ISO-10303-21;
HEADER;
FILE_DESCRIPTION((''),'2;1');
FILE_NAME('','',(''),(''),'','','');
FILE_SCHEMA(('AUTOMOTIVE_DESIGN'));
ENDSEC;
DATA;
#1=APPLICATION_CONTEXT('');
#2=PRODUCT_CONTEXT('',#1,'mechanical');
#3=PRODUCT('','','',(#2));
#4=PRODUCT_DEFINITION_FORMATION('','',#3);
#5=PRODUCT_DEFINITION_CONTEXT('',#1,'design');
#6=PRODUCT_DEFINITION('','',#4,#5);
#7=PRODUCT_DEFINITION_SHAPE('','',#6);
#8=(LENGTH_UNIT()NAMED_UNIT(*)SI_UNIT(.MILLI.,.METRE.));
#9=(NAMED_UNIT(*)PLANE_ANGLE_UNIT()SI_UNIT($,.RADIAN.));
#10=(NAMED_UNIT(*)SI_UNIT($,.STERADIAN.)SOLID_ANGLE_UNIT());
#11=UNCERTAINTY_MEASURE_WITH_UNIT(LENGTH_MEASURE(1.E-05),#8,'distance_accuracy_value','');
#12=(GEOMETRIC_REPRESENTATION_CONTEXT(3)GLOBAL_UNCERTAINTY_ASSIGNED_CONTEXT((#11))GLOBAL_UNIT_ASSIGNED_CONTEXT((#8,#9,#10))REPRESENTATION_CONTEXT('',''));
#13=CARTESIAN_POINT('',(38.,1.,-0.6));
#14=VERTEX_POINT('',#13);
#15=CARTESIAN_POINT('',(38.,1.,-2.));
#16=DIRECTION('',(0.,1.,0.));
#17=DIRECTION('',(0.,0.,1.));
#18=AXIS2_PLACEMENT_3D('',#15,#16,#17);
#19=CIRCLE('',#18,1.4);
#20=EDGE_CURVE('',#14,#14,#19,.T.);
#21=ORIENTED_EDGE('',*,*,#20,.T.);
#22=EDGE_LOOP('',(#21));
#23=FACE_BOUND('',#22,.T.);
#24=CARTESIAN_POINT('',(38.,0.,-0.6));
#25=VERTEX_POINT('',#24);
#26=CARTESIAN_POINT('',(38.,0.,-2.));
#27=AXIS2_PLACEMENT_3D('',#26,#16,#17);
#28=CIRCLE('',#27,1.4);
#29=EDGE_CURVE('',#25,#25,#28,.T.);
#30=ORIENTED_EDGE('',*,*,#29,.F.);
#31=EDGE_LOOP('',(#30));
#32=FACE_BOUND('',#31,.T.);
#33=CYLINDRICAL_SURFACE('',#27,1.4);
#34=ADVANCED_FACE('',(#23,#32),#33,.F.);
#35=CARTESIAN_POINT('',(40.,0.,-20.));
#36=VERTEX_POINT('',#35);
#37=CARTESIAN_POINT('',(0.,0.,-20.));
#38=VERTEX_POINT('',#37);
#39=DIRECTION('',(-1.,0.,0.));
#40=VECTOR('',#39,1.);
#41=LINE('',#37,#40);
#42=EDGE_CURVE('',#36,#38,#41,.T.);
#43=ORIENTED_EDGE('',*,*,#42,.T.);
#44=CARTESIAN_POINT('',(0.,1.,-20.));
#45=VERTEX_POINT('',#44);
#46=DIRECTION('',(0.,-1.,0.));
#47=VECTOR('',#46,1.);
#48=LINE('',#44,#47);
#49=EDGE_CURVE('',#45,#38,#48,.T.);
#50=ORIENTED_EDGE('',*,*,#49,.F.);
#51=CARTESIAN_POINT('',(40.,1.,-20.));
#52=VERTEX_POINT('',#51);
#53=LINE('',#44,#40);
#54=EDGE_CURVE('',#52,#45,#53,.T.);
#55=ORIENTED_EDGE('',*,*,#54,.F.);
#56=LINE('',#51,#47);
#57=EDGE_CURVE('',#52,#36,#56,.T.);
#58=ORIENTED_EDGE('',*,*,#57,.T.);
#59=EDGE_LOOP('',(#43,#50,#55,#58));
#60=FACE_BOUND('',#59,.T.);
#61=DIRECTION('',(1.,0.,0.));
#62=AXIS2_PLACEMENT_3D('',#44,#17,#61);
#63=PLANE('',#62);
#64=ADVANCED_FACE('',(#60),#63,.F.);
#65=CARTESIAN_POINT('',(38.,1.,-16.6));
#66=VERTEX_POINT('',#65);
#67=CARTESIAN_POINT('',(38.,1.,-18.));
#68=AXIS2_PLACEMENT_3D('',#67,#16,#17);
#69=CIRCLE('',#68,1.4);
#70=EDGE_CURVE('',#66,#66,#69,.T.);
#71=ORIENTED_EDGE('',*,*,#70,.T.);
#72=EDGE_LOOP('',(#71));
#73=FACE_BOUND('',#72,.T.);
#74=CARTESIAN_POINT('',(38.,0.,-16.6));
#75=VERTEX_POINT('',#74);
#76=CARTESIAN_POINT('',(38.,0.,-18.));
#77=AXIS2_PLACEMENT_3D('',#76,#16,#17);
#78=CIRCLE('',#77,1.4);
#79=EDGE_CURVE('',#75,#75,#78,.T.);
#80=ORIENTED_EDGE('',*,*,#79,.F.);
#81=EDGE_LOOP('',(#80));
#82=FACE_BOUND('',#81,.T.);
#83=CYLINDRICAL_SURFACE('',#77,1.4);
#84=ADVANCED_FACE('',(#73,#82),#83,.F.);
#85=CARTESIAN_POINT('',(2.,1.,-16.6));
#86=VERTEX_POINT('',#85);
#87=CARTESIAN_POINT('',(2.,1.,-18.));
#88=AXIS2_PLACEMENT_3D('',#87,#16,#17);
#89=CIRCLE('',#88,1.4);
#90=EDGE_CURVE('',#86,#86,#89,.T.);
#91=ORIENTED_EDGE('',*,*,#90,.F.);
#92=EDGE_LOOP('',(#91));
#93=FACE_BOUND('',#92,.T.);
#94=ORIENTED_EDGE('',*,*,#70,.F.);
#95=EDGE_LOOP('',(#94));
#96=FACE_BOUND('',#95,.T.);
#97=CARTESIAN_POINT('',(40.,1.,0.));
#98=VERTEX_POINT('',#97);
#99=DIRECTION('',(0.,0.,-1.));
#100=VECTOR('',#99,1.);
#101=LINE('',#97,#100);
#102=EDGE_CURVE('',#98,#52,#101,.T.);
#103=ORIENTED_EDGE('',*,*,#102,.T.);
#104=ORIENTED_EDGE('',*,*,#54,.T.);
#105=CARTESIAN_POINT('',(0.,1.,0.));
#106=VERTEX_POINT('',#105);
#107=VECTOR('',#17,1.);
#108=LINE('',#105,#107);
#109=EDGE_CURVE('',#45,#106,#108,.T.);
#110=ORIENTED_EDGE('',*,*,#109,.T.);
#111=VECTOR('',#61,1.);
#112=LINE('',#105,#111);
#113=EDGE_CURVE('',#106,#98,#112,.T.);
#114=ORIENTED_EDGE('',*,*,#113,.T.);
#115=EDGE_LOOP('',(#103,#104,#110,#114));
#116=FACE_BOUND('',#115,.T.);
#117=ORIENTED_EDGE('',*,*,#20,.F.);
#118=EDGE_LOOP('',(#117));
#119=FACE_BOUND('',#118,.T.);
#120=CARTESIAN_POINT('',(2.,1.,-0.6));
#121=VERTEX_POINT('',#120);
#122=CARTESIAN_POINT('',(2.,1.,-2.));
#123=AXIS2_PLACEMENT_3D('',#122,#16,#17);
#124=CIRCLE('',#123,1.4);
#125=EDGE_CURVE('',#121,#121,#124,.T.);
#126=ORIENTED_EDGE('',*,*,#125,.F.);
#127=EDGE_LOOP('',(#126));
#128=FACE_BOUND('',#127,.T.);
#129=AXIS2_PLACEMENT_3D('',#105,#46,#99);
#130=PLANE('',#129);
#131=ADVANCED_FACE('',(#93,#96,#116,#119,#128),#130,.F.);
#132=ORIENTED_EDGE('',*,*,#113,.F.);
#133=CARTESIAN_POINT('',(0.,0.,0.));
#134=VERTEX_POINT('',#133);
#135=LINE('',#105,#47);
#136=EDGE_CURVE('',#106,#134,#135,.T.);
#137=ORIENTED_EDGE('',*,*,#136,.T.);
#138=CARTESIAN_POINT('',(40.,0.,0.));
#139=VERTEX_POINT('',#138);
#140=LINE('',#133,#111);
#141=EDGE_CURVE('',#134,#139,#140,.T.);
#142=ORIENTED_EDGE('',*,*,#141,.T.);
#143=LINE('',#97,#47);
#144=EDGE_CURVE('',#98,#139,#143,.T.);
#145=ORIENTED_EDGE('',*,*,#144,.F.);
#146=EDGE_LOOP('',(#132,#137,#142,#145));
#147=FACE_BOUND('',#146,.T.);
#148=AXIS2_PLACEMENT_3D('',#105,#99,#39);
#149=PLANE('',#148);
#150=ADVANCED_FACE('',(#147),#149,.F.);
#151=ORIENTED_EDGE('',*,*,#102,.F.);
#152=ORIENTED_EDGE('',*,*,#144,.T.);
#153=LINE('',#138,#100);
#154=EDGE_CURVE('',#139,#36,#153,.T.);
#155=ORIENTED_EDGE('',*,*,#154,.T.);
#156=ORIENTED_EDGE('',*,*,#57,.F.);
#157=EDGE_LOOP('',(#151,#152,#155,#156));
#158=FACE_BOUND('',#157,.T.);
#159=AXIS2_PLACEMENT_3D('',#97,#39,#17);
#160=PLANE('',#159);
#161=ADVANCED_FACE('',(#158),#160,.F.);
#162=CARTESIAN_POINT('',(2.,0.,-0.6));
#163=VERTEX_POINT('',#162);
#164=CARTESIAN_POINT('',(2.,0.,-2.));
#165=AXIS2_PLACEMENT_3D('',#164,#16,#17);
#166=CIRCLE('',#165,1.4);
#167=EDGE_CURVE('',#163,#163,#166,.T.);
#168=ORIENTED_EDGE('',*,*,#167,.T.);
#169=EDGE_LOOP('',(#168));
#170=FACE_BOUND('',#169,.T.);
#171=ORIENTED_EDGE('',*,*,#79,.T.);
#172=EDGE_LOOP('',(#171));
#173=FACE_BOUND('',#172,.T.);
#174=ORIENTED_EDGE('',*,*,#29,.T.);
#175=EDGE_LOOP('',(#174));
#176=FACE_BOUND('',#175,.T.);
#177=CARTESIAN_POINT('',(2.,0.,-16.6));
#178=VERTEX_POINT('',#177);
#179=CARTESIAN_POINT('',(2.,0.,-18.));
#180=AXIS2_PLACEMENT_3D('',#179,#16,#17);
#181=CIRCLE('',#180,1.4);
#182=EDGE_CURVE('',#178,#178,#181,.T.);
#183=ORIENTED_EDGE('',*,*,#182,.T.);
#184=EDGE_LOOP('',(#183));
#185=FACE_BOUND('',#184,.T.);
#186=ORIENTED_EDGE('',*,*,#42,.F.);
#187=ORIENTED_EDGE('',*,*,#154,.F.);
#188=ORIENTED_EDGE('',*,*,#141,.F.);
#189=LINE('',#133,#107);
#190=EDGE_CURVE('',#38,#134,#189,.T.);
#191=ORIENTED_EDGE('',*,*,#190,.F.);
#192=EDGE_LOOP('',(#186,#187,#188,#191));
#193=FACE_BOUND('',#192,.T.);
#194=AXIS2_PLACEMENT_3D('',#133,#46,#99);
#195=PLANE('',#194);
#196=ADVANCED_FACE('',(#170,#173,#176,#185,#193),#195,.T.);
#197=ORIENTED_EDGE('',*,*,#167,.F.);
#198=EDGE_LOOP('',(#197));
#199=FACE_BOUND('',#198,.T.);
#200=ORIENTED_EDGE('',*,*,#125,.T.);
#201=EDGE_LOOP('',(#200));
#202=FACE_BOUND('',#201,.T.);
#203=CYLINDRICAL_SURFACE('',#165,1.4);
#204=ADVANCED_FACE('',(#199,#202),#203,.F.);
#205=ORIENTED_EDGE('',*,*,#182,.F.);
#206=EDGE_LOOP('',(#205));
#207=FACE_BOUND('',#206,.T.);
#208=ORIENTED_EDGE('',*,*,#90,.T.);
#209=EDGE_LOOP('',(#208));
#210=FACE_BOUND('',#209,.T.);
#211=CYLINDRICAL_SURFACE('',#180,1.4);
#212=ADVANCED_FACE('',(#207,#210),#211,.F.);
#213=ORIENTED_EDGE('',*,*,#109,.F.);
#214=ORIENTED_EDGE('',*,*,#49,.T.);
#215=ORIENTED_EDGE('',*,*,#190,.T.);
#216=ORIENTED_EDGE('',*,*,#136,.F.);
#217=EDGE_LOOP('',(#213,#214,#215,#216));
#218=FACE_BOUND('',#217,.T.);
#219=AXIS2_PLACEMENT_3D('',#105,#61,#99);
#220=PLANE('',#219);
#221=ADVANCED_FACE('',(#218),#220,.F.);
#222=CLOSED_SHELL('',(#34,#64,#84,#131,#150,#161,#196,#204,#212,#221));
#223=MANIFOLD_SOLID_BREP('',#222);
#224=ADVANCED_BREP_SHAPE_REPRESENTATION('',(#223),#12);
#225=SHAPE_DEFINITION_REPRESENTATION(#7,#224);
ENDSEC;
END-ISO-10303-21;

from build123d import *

# Parameters (mm, degrees)
SKETCH1_W           = 40
SKETCH1_H           = 20
BOSS_EXTRUDE1_DEPTH = 1
SKETCH2_R           = 1.4
CUT_EXTRUDE1_DEPTH  = 45.732538493


with BuildPart() as part:
    # Sketch1 → Boss-Extrude1 (new body)
    with BuildSketch(Plane(origin=(0, 0, 0), x_dir=(1, 0, 0), z_dir=(0, 1, 0))):
        with Locations((20, 10)):
            Rectangle(SKETCH1_W, SKETCH1_H)
    extrude(amount=BOSS_EXTRUDE1_DEPTH)

    # Sketch2 → Cut-Extrude1 (cut, through all)
    with BuildSketch(Plane(origin=(0, 1, 0), x_dir=(1, 0, 0), z_dir=(0, 1, 0))):
        with Locations(Location((2, 18, 0), (0, 0, 270))):
            Circle(SKETCH2_R)
        with Locations(Location((38, 18, 0), (0, 0, 270))):
            Circle(SKETCH2_R)
        with Locations(Location((38, 2, 0), (0, 0, 270))):
            Circle(SKETCH2_R)
        with Locations(Location((2, 2, 0), (0, 0, 270))):
            Circle(SKETCH2_R)
    extrude(amount=-CUT_EXTRUDE1_DEPTH, mode=Mode.SUBTRACT)


solid = part.part
